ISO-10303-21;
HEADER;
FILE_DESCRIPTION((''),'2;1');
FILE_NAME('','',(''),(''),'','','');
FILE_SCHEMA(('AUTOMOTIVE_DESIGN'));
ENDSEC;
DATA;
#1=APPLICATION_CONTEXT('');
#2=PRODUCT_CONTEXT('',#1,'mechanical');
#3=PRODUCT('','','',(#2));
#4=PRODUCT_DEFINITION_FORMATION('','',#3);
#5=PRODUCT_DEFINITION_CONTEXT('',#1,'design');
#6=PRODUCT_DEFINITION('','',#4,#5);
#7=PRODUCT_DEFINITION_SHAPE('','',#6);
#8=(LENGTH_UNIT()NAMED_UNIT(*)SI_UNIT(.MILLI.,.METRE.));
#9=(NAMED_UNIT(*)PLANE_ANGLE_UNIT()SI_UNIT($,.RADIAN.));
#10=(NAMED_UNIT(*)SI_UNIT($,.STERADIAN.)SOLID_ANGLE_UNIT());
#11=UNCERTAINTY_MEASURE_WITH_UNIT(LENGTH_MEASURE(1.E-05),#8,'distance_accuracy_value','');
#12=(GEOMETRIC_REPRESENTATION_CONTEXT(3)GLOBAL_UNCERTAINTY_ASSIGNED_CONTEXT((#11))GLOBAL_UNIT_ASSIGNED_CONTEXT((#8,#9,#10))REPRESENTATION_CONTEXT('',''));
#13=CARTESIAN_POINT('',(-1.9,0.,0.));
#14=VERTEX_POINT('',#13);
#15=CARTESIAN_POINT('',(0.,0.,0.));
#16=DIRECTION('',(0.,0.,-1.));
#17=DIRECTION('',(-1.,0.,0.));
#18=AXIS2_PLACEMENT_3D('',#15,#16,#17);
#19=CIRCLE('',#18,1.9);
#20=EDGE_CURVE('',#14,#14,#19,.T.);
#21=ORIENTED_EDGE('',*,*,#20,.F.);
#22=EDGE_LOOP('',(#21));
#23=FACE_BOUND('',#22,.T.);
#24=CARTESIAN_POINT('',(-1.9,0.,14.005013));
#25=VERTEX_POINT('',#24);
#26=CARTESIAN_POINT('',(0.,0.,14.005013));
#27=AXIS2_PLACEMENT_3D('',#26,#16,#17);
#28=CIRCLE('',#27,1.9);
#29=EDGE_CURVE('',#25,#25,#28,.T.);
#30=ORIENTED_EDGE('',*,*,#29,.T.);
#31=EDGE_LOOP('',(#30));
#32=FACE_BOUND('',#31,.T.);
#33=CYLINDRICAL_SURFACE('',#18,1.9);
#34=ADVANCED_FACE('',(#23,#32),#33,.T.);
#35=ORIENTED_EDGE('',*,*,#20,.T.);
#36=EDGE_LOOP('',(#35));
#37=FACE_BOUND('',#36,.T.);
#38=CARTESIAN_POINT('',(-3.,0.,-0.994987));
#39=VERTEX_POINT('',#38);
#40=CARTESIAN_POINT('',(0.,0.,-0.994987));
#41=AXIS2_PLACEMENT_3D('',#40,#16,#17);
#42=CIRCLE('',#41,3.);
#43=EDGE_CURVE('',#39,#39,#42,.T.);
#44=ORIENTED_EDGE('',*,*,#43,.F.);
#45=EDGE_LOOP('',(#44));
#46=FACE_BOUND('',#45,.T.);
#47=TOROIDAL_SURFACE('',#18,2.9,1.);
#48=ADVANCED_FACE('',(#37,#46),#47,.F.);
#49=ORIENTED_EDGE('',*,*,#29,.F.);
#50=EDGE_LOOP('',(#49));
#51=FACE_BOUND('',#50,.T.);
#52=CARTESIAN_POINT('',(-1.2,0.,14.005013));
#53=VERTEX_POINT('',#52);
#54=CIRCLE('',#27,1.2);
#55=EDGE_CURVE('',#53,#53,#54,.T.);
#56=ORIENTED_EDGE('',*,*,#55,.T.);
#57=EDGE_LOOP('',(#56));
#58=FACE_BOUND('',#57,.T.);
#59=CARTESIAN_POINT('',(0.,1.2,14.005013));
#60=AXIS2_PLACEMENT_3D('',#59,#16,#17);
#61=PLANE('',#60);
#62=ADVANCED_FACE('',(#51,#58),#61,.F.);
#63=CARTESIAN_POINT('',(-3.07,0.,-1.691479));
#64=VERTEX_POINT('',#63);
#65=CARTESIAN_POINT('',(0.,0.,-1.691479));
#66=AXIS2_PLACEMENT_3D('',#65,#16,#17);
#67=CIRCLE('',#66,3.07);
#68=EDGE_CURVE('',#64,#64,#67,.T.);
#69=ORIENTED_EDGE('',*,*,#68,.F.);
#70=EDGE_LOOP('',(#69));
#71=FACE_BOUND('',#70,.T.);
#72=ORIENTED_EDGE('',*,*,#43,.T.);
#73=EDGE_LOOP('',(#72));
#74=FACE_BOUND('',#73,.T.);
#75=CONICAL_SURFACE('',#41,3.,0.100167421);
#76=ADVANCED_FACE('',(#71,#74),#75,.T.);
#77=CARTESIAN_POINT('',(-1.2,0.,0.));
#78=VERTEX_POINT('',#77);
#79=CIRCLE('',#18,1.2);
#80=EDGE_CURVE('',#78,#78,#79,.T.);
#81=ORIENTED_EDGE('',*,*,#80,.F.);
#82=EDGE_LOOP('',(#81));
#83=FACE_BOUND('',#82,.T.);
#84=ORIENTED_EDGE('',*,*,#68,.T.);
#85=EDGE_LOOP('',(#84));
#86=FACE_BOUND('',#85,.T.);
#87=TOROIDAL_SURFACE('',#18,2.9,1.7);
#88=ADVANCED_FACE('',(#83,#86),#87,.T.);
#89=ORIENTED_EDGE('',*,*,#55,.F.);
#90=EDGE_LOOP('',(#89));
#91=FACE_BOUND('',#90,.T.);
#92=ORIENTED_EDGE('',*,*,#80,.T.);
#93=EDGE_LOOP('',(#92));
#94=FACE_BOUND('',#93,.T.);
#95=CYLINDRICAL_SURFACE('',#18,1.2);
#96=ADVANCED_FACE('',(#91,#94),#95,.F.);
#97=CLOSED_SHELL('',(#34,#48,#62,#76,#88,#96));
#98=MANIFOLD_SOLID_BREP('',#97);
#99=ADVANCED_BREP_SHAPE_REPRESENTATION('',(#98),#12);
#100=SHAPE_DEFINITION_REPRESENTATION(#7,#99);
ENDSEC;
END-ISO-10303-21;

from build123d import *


with BuildPart() as part:
    # Sketch1 → Revolve-Thin1 (revolve)
    with BuildSketch(Plane(origin=(0, 0, 0), x_dir=(0, 0, -1), z_dir=(1, 0, 0)), mode=Mode.PRIVATE) as revolve_thin1_sk:
        with BuildLine():
            ThreePointArc((0.994987437, 3), (0.741619849, 2.229179607), (0, 1.9))
            Line((0, 1.9), (-14.005012563, 1.9))
            Line((-14.005012563, 1.9), (-14.005012563, 1.2))
            Line((-14.005012563, 1.2), (0, 1.2))
            ThreePointArc((0, 1.2), (1.260753743, 1.759605331), (1.691478643, 3.07))
            Line((1.691478643, 3.07), (0.994987437, 3))
        make_face()
    revolve(revolve_thin1_sk.sketch.rotate(Axis((0, 0, 0), (0, 0, 1)), 90), axis=Axis((0, 0, 0), (0, 0, 1)))


solid = part.part
